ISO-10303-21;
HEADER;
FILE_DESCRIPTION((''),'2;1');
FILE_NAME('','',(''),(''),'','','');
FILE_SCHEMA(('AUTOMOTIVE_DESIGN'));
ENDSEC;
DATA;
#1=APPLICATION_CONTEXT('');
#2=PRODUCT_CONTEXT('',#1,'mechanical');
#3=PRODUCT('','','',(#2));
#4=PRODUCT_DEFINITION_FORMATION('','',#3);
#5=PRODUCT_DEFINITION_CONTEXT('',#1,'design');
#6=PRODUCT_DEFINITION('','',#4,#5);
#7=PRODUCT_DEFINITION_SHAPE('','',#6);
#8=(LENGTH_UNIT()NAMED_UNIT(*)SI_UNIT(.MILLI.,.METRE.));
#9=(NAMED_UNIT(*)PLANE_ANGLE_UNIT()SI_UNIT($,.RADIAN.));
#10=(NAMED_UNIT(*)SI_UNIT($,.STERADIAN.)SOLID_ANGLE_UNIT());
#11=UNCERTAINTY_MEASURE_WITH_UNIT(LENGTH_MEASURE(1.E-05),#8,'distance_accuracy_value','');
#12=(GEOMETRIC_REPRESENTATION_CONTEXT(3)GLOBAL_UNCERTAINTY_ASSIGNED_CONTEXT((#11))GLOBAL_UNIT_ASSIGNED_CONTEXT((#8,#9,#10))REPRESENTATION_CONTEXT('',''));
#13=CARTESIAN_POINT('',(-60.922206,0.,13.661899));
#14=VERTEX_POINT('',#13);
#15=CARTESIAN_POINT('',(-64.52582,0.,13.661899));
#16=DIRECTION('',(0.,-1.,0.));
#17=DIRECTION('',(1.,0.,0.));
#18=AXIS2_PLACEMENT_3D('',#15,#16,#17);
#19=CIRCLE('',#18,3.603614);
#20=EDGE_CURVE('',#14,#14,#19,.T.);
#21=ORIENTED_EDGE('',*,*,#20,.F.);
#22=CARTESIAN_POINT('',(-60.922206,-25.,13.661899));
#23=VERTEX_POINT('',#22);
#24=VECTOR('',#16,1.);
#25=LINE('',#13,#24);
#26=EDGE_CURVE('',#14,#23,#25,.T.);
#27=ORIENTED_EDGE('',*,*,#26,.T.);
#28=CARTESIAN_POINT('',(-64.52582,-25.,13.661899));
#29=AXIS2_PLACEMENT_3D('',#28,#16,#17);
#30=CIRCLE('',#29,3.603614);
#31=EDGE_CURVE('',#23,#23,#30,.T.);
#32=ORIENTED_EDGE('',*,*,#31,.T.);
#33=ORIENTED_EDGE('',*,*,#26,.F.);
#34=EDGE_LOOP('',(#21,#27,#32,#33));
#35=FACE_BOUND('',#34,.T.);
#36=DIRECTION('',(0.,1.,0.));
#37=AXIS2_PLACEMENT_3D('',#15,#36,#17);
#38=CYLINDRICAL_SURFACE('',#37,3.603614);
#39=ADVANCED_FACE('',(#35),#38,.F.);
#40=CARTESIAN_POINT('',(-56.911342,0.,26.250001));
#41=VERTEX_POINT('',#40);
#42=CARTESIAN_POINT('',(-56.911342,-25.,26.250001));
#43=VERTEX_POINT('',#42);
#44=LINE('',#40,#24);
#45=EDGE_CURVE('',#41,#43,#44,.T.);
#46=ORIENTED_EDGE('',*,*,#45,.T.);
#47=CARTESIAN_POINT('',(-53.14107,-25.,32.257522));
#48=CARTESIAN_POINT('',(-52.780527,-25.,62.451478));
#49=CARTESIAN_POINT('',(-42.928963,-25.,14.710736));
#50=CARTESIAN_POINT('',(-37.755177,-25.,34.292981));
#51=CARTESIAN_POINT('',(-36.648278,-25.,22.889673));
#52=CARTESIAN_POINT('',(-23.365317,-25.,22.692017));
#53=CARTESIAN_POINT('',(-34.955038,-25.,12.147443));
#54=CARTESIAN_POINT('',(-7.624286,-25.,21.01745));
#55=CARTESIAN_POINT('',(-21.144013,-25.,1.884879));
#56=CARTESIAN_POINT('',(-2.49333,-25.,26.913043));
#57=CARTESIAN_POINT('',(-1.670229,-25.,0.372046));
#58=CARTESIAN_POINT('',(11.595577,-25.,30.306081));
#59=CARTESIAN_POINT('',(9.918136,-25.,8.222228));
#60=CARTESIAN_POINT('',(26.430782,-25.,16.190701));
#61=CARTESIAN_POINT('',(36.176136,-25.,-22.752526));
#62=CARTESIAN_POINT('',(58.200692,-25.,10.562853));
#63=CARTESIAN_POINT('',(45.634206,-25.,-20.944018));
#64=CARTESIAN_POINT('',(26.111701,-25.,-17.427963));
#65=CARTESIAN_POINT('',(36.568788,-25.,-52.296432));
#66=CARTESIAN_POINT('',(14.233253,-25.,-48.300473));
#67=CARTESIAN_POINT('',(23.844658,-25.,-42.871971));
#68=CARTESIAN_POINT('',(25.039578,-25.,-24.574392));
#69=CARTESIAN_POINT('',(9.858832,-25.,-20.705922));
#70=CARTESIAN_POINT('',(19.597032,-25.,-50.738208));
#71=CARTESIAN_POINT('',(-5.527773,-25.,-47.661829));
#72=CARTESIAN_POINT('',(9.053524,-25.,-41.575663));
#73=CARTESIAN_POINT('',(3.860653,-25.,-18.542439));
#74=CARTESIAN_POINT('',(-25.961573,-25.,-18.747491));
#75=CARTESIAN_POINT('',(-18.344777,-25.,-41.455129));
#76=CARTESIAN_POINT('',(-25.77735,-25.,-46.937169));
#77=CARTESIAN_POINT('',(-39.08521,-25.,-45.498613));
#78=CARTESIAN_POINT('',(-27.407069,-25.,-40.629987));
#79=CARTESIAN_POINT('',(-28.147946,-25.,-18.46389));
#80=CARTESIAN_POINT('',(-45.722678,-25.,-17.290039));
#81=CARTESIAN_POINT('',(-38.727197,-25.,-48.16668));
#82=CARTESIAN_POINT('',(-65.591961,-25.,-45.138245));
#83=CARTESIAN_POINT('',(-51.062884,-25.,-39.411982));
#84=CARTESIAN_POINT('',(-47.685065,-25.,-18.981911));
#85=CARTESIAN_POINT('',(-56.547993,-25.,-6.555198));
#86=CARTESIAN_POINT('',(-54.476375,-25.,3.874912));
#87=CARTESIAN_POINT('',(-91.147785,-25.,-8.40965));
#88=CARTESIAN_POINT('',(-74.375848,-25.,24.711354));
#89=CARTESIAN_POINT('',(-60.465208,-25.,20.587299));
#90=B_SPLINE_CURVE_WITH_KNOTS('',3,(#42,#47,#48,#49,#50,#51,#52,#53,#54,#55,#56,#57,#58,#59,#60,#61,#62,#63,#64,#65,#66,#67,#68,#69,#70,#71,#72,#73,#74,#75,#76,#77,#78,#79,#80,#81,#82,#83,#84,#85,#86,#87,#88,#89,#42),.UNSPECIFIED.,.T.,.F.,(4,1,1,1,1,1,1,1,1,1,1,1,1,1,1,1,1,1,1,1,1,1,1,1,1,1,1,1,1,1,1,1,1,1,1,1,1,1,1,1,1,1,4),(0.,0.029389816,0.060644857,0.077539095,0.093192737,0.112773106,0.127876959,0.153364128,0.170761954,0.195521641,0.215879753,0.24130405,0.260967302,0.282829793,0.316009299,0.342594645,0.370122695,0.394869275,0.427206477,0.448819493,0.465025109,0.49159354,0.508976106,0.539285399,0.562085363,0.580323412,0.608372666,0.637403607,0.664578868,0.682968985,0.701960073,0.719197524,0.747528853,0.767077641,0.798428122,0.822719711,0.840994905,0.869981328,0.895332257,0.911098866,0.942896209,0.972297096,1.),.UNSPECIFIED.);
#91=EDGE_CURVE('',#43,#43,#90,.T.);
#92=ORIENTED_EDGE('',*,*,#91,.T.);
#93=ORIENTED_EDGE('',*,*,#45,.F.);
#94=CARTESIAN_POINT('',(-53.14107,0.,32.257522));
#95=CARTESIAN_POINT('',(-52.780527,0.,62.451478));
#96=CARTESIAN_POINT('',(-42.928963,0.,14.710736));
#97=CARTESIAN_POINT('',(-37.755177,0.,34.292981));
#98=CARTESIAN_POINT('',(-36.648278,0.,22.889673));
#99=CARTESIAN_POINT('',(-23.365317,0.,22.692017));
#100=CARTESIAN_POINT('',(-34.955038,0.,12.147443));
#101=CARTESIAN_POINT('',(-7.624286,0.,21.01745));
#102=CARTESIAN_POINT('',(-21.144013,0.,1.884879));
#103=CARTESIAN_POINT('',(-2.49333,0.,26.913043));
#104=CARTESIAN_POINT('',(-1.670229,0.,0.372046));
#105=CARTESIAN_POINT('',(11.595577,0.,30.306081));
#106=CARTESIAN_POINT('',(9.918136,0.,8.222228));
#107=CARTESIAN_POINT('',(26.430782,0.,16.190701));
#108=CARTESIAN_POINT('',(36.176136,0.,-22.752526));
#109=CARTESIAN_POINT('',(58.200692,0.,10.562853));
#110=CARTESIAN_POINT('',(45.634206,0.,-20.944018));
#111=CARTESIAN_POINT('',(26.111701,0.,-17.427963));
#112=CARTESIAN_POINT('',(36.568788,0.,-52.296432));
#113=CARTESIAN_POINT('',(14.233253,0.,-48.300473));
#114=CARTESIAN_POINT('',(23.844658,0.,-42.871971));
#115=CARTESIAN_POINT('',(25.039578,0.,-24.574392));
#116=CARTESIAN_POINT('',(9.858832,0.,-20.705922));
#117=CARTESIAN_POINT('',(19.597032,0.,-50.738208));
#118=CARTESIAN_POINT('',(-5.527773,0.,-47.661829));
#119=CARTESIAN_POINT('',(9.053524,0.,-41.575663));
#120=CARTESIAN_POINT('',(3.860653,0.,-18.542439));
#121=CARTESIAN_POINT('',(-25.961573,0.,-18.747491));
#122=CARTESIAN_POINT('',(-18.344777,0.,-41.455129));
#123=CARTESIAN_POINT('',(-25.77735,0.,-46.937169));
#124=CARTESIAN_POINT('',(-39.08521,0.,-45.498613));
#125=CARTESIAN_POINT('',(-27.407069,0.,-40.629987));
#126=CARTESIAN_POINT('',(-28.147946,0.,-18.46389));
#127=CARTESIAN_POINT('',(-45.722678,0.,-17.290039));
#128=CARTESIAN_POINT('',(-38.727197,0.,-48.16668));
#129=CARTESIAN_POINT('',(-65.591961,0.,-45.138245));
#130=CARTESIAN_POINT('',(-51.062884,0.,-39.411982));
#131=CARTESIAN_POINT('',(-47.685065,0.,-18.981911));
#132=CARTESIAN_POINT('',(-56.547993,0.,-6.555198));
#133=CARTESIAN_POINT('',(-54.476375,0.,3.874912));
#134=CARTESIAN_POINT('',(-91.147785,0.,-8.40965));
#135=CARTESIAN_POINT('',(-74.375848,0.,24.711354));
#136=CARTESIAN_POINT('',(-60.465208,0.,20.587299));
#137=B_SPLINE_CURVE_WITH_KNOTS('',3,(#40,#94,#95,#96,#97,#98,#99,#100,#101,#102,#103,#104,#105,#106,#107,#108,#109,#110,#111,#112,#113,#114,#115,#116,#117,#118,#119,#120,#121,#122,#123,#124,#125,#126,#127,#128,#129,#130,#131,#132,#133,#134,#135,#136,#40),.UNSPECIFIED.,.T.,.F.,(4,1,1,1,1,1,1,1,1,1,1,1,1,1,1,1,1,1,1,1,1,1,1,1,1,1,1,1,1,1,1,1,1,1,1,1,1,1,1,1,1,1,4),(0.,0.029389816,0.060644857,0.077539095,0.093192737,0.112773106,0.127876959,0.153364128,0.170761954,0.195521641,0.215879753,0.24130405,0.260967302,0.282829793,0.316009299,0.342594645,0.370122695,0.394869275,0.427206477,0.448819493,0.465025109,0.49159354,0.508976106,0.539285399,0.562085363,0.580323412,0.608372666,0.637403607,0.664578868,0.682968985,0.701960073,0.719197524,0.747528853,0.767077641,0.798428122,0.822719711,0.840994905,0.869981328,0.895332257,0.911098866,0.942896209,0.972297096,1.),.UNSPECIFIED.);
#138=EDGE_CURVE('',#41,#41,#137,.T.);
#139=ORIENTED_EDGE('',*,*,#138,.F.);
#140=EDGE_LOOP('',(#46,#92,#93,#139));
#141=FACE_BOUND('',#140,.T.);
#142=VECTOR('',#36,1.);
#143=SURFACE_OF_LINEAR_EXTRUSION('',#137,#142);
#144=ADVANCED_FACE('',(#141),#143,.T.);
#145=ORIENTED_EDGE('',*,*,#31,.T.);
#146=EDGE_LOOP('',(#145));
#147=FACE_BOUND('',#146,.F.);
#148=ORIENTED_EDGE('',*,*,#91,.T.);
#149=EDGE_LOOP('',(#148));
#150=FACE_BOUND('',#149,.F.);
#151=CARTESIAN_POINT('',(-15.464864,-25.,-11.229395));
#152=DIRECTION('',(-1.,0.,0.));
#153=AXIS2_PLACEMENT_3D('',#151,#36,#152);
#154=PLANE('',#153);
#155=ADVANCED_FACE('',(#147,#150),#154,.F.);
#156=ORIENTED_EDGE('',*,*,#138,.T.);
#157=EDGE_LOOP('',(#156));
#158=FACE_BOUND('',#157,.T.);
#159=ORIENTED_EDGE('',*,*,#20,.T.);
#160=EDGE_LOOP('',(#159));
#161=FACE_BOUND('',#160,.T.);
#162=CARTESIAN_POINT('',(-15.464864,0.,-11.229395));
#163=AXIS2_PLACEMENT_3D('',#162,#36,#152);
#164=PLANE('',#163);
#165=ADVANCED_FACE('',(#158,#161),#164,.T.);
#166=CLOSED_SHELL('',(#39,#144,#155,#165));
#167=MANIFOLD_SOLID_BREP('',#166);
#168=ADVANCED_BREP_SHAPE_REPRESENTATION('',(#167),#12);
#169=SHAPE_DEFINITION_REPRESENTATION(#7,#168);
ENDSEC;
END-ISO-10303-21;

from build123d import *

# Parameters (mm, degrees)
F0_R     = 3.6036142004
F1_DEPTH = 25


with BuildPart() as f1:
    # F0 (on Front) → F1 (new body)
    with BuildSketch(Plane.XZ):
        with BuildLine():
            add(Edge.make_bspline(
                [(-56.911341846, 26.2500010431), (-53.1410700492, 32.2575218469), (-52.7805269841, 62.4514780325), (-42.9289634571, 14.7107361346), (-37.7551774979, 34.2929809242), (-36.6482780318, 22.889673251), (-23.3653165988, 22.6920171244), (-34.955037549, 12.147442831), (-7.6242864835, 21.0174501412), (-21.1440129609, 1.8848786255), (-2.4933299251, 26.9130434032), (-1.6702287058, 0.3720463621), (11.5955768506, 30.3060810963), (9.9181357738, 8.2222275009), (26.4307819881, 16.1907010198), (36.1761357479, -22.7525255117), (58.2006922389, 10.5628526847), (45.6342062354, -20.9440176553), (26.111700603, -17.4279630361), (36.568788097, -52.2964316167), (14.2332534117, -48.3004726792), (23.8446578256, -42.8719709619), (25.0395778676, -24.5743920887), (9.8588323272, -20.705922132), (19.5970320489, -50.7382078545), (-5.5277732536, -47.6618288896), (9.0535243002, -41.5756630935), (3.8606533979, -18.5424393118), (-25.9615731932, -18.7474914857), (-18.3447765023, -41.4551285382), (-25.7773495504, -46.9371689519), (-39.0852101591, -45.4986133068), (-27.4070694115, -40.6299868709), (-28.1479456171, -18.4638904642), (-45.7226778116, -17.2900387426), (-38.727197438, -48.1666796153), (-65.5919614218, -45.1382445004), (-51.0628843715, -39.4119821953), (-47.6850646877, -18.9819106284), (-56.5479929682, -6.5551984383), (-54.4763749915, 3.8749122361), (-91.1477854416, -8.4096502544), (-74.3758483471, 24.7113538363), (-60.465208069, 20.5872991427), (-56.911341846, 26.2500010431)],
                knots=[0, 0, 0, 0, 0.0293898164, 0.0606448566, 0.077539095, 0.0931927373, 0.1127731065, 0.1278769595, 0.1533641277, 0.1707619536, 0.1955216405, 0.2158797526, 0.2413040503, 0.2609673016, 0.2828297931, 0.3160092991, 0.3425946449, 0.3701226952, 0.3948692754, 0.4272064772, 0.4488194934, 0.4650251095, 0.4915935395, 0.5089761064, 0.5392853985, 0.5620853626, 0.5803234123, 0.6083726658, 0.6374036069, 0.6645788682, 0.6829689852, 0.7019600733, 0.7191975239, 0.7475288526, 0.7670776412, 0.7984281221, 0.8227197112, 0.8409949053, 0.8699813282, 0.8953322572, 0.9110988664, 0.942896209, 0.9722970965, 1, 1, 1, 1], degree=3))
        make_face()
        with Locations((-64.5258203149, 13.6618986726)):
            Circle(F0_R, mode=Mode.SUBTRACT)
    extrude(amount=F1_DEPTH)


solid = f1.part
